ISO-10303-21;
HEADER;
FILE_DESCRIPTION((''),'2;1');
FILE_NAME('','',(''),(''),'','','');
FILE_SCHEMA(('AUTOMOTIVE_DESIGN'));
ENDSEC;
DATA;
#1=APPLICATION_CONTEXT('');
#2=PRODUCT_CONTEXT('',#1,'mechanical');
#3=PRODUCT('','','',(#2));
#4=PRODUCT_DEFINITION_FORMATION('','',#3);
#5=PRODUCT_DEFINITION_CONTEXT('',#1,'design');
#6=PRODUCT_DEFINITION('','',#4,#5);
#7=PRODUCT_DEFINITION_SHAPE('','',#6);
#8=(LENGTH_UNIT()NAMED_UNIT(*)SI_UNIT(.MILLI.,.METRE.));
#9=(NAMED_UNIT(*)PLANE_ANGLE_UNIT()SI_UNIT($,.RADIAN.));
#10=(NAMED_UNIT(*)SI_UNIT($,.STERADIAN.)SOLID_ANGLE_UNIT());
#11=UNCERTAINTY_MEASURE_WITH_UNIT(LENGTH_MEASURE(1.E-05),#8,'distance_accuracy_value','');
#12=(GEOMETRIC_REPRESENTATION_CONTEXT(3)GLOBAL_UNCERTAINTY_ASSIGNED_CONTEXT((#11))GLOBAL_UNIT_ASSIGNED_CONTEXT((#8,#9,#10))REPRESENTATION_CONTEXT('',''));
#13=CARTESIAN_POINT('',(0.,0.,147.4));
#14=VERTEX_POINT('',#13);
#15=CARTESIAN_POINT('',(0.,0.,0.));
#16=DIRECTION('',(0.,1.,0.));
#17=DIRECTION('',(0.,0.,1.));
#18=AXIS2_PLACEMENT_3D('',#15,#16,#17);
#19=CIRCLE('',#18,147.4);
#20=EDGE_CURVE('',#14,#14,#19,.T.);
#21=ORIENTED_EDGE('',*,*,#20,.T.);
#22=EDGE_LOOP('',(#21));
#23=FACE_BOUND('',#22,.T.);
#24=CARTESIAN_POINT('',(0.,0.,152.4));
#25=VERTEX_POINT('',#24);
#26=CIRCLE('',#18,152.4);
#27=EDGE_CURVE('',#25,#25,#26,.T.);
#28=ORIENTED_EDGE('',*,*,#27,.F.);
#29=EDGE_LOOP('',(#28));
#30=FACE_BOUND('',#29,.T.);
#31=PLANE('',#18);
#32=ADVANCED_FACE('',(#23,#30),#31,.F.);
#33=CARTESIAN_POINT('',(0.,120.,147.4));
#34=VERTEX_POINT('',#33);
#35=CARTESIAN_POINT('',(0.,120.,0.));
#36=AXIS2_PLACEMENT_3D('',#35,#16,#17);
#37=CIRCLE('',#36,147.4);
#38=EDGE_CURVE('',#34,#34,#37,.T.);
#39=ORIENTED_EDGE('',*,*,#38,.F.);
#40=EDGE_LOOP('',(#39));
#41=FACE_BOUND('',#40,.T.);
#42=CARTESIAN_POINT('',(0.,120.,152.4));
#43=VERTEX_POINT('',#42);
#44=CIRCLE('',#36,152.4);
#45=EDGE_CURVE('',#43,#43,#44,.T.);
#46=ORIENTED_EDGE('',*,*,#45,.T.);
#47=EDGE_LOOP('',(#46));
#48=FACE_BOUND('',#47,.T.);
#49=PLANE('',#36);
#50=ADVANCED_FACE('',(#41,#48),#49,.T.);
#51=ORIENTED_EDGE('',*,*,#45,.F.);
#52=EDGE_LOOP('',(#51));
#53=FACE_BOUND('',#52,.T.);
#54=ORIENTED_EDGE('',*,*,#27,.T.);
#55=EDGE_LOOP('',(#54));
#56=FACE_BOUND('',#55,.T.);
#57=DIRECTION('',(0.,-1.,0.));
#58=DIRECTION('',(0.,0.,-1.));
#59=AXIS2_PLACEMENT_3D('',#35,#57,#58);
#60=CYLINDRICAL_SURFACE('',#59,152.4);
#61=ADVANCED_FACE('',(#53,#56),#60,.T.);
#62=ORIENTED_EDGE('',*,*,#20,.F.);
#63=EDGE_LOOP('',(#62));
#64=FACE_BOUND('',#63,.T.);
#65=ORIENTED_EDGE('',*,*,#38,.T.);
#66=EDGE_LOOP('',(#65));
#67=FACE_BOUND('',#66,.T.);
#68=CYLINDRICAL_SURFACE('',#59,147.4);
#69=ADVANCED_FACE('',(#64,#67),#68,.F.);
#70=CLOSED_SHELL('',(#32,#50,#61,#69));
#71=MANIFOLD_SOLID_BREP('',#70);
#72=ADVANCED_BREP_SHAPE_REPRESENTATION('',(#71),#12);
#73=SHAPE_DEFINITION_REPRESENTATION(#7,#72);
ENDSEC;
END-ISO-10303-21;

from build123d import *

# Parameters (mm, degrees)
ESQUISSE1_R        = 152.4
ESQUISSE1_R_2      = 147.4
BOSS_EXTRU_1_DEPTH = 120


with BuildPart() as part:
    # Esquisse1 → Boss.-Extru.1 (new body)
    with BuildSketch(Plane(origin=(0, 0, 0), x_dir=(1, 0, 0), z_dir=(0, 1, 0))):
        Circle(ESQUISSE1_R)
        Circle(ESQUISSE1_R_2, mode=Mode.SUBTRACT)
    extrude(amount=BOSS_EXTRU_1_DEPTH)


solid = part.part
